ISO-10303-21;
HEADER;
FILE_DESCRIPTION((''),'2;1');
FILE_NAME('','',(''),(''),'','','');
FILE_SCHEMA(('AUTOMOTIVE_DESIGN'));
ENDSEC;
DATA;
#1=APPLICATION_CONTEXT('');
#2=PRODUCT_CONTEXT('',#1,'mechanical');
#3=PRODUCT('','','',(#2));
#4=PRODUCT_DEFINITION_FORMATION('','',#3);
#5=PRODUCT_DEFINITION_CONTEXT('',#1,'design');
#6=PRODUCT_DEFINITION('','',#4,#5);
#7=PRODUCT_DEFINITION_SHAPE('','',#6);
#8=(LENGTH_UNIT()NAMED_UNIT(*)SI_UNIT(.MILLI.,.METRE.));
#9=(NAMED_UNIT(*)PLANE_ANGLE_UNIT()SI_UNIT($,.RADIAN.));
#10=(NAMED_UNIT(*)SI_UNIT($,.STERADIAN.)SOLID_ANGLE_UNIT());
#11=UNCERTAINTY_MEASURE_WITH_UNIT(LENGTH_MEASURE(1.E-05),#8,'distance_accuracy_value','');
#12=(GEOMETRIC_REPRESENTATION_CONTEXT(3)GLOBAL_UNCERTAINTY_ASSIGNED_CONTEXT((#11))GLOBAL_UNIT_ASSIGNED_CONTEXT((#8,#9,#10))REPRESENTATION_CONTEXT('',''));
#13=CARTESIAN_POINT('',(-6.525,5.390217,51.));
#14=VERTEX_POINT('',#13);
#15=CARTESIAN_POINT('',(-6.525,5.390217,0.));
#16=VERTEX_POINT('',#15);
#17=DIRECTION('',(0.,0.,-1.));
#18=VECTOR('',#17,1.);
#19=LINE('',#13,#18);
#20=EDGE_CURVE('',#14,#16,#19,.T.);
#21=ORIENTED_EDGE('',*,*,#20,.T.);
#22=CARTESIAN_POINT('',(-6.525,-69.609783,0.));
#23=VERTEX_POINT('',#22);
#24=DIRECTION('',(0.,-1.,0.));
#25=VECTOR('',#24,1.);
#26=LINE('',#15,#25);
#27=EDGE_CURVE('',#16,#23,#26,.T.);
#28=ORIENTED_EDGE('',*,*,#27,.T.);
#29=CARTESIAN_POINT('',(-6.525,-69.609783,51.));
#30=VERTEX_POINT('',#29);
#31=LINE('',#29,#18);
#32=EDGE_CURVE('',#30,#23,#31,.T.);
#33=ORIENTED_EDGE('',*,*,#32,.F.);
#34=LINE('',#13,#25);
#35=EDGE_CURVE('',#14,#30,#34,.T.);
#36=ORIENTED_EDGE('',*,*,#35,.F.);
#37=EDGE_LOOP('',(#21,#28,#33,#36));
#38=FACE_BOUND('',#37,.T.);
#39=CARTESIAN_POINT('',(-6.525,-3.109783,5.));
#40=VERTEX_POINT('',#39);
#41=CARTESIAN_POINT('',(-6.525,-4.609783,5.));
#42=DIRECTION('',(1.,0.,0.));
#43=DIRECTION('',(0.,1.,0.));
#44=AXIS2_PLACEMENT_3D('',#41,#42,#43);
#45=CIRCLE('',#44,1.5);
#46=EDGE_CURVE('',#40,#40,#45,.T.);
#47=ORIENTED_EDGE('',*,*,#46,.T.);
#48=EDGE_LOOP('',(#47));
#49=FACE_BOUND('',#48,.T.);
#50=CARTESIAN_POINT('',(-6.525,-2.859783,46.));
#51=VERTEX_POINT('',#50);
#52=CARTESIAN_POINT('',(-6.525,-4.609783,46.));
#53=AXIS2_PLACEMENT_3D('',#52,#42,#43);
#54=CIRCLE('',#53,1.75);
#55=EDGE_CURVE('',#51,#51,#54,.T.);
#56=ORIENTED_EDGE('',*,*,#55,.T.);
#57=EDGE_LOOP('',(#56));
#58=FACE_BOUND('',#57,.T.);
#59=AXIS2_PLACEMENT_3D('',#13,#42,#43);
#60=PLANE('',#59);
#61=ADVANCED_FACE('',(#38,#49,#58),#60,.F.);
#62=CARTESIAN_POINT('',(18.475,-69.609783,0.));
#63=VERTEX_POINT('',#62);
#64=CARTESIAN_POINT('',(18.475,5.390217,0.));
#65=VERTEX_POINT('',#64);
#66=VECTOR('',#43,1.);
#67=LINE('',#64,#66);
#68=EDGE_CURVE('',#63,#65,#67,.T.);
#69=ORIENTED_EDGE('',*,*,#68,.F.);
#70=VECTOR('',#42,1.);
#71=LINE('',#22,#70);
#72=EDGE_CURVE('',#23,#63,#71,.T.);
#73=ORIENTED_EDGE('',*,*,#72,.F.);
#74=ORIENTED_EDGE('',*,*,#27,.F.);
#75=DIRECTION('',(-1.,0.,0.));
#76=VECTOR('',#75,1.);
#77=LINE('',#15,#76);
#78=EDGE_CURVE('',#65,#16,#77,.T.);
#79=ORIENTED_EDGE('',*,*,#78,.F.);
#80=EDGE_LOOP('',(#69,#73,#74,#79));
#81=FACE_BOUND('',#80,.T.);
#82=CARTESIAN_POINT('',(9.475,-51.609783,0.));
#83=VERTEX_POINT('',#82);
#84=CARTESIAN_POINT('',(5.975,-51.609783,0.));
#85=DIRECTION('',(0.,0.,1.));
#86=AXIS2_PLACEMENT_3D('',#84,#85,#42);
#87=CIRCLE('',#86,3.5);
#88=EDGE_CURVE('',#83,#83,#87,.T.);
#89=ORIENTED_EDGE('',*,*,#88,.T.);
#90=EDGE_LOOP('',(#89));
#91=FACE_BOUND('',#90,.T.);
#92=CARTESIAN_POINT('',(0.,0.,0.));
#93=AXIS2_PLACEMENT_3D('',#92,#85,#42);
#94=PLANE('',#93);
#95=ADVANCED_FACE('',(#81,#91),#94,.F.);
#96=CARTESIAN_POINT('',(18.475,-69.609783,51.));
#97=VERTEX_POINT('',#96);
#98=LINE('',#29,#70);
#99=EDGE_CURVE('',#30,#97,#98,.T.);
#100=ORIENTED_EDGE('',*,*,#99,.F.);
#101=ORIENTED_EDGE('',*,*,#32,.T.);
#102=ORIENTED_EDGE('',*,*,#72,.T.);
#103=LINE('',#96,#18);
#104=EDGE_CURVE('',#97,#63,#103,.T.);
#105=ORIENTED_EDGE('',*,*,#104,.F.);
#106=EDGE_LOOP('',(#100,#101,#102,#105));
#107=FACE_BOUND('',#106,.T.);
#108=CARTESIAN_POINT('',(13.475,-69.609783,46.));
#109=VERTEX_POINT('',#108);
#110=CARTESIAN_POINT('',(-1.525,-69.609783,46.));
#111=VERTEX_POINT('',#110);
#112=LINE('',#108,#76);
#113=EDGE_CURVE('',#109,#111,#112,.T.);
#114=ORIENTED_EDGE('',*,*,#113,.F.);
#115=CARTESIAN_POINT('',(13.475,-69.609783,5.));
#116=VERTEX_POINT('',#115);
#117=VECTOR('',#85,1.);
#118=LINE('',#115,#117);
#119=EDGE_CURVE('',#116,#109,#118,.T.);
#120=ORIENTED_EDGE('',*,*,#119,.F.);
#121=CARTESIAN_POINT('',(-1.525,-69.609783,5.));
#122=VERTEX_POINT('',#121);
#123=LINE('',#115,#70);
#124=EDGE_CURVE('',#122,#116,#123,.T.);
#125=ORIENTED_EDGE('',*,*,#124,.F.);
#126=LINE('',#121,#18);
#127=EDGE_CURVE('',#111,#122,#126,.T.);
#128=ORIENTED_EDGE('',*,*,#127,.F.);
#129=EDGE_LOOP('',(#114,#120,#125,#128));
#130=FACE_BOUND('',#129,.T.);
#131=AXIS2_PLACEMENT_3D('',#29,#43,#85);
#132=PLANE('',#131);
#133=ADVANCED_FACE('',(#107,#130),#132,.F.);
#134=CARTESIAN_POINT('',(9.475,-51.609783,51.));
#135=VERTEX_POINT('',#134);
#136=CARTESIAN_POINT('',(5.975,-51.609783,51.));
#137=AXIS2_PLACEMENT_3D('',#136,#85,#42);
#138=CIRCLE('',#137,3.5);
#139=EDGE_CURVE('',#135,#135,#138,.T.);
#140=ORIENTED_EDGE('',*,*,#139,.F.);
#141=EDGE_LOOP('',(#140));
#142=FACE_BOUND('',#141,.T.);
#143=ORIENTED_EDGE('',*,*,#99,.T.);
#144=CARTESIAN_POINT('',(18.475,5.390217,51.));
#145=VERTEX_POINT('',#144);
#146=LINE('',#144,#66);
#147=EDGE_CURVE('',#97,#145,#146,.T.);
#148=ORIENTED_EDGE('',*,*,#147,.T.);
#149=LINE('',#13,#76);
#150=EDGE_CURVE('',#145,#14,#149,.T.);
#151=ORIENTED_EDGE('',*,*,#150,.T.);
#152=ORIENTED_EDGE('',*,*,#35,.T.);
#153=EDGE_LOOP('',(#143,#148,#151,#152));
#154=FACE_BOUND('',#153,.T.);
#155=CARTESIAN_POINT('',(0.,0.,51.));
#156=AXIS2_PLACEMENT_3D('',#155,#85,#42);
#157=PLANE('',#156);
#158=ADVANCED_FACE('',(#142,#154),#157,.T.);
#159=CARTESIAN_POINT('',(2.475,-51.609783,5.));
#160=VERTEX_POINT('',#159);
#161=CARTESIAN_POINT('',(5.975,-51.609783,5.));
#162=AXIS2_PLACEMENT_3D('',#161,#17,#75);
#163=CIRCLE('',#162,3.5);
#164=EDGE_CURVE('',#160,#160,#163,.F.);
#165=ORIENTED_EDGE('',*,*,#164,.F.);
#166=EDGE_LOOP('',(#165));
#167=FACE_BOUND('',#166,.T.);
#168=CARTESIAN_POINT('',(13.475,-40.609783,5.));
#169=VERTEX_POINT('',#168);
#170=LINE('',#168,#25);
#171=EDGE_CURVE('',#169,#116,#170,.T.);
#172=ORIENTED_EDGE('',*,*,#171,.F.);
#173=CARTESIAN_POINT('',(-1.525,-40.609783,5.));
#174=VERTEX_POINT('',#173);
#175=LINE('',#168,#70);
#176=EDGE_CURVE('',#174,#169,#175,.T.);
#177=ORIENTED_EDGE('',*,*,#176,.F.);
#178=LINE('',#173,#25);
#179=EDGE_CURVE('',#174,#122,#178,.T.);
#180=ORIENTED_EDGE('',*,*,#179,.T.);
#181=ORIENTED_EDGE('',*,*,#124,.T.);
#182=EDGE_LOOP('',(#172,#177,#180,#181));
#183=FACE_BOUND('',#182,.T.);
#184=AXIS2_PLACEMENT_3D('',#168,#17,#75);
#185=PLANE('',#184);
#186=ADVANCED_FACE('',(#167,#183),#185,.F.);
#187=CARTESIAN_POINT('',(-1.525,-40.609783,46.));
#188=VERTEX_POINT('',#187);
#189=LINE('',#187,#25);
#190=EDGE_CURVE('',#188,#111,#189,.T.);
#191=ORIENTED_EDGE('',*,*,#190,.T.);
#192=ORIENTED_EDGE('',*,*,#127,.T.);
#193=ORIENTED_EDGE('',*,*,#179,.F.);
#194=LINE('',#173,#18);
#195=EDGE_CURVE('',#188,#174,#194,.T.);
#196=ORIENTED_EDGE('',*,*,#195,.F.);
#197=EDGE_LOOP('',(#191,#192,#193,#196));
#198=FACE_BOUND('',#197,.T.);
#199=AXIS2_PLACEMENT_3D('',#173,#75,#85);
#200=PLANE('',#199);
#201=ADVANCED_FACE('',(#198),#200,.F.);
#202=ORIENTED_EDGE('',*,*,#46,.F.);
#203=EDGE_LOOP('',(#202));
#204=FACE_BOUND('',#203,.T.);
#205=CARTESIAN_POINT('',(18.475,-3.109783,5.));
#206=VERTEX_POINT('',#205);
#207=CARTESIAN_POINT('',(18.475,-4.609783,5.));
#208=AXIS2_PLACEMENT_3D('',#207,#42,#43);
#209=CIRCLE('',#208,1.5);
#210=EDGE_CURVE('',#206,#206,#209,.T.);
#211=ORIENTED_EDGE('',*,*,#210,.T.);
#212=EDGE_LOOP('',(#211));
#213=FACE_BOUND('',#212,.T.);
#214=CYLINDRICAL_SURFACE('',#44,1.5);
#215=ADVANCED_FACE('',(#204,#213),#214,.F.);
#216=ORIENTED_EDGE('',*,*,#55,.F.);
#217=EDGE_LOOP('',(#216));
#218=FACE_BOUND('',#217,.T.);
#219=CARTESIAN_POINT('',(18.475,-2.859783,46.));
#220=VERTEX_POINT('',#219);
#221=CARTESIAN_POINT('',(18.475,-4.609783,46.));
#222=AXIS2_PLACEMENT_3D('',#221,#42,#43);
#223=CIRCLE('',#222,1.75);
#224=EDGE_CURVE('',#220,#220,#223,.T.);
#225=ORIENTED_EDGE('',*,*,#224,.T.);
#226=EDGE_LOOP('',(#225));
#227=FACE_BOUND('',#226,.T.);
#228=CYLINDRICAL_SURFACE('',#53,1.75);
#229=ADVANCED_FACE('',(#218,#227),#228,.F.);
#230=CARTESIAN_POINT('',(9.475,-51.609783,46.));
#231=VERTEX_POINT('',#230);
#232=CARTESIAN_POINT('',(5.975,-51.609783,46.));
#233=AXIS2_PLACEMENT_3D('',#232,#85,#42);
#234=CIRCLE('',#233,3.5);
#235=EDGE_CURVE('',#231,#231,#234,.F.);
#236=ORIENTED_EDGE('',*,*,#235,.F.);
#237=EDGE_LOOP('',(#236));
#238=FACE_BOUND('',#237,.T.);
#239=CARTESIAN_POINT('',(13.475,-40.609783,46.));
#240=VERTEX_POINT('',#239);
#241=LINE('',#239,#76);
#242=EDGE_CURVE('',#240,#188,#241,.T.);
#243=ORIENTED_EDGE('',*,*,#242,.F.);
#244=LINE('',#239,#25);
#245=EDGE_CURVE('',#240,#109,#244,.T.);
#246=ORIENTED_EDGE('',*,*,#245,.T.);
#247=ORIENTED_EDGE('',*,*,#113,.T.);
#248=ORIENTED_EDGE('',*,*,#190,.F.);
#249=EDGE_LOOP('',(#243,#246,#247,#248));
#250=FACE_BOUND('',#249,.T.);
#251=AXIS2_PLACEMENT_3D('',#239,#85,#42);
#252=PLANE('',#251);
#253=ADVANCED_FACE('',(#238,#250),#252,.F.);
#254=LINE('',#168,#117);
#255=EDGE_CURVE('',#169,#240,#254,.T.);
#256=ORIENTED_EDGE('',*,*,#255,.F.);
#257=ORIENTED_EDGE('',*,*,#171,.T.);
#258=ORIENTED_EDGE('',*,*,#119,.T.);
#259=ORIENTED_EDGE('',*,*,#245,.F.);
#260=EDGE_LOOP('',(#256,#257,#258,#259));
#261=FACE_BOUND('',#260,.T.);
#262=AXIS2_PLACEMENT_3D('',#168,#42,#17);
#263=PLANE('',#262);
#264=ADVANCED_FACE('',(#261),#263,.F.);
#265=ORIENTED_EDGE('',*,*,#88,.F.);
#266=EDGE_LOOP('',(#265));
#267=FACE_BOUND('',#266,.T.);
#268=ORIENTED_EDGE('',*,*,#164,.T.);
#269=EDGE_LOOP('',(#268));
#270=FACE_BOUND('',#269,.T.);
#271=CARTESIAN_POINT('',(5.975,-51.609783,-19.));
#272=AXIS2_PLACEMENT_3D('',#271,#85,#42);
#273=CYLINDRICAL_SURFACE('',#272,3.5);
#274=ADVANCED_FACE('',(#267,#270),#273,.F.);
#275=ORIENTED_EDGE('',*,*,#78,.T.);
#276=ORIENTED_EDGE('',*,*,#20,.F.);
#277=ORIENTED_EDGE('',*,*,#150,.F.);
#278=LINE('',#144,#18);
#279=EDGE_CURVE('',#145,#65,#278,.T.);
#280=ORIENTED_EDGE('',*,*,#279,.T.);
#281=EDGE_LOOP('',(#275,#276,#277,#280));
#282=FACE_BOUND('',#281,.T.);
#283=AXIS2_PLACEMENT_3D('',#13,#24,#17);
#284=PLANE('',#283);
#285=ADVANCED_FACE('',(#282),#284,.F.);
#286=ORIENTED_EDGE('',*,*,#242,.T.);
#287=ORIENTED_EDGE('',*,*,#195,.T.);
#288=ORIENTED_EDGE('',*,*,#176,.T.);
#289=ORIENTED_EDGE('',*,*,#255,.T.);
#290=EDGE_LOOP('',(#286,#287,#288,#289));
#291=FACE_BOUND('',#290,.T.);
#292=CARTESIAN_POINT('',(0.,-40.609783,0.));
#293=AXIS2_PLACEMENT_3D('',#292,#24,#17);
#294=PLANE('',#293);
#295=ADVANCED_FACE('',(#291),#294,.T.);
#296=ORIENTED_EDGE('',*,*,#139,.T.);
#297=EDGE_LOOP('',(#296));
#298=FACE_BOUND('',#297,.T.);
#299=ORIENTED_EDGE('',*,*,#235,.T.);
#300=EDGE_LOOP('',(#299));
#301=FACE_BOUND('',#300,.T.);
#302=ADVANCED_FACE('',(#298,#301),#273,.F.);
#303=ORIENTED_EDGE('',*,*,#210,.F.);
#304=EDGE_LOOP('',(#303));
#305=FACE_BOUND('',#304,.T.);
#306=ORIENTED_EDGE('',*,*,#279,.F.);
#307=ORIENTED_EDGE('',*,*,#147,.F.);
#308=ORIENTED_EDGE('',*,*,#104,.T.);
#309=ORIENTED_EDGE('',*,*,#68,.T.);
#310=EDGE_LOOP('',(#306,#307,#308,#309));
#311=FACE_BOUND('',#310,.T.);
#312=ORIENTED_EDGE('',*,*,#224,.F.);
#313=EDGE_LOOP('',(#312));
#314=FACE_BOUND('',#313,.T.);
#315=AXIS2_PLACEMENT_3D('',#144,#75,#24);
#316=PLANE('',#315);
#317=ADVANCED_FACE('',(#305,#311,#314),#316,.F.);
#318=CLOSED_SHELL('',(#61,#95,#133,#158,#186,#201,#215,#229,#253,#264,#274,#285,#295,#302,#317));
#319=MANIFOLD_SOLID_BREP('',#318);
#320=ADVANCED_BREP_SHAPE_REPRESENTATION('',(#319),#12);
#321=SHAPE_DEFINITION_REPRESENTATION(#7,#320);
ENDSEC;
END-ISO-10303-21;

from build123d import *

# Parameters (mm, degrees)
ESQUISSE1_W             = 25
ESQUISSE1_H             = 75
BOSS_EXTRU_1_DEPTH      = 51
ESQUISSE2_R             = 3.5
ENL_V_MAT_EXTRU_1_DEPTH = 70
ESQUISSE3_W             = 15
ESQUISSE3_H             = 41
ENL_V_MAT_EXTRU_2_DEPTH = 29
ESQUISSE4_R             = 1.75
ESQUISSE4_R_2           = 1.5
ENL_V_MAT_EXTRU_3_DEPTH = 25


with BuildPart() as part:
    # Esquisse1 → Boss.-Extru.1 (new body)
    with BuildSketch(Plane.XY):
        with Locations((5.975, -32.109782609)):
            Rectangle(ESQUISSE1_W, ESQUISSE1_H)
    extrude(amount=BOSS_EXTRU_1_DEPTH)

    # Esquisse2 → Enlèv. mat.-Extru.1 (cut)
    with BuildSketch(Plane.XY.offset(51)):
        with Locations((5.975, -51.609782609)):
            Circle(ESQUISSE2_R)
    extrude(amount=-ENL_V_MAT_EXTRU_1_DEPTH, mode=Mode.SUBTRACT)

    # Esquisse3 → Enlèv. mat.-Extru.2 (cut)
    with BuildSketch(Plane.XZ.offset(69.609782609)):
        with Locations((5.975, 25.5)):
            Rectangle(ESQUISSE3_W, ESQUISSE3_H)
    extrude(amount=-ENL_V_MAT_EXTRU_2_DEPTH, mode=Mode.SUBTRACT)

    # Esquisse4 → Enlèv. mat.-Extru.3 (cut)
    with BuildSketch(Plane(origin=(18.475, 0, 0), x_dir=(0, 0, -1), z_dir=(1, 0, 0))):
        with Locations(Location((-46, -4.609782609, 0), (0, 0, 90))):
            Circle(ESQUISSE4_R)
        with Locations(Location((-5, -4.609782609, 0), (0, 0, 90))):
            Circle(ESQUISSE4_R_2)
    extrude(amount=-ENL_V_MAT_EXTRU_3_DEPTH, mode=Mode.SUBTRACT)


solid = part.part
